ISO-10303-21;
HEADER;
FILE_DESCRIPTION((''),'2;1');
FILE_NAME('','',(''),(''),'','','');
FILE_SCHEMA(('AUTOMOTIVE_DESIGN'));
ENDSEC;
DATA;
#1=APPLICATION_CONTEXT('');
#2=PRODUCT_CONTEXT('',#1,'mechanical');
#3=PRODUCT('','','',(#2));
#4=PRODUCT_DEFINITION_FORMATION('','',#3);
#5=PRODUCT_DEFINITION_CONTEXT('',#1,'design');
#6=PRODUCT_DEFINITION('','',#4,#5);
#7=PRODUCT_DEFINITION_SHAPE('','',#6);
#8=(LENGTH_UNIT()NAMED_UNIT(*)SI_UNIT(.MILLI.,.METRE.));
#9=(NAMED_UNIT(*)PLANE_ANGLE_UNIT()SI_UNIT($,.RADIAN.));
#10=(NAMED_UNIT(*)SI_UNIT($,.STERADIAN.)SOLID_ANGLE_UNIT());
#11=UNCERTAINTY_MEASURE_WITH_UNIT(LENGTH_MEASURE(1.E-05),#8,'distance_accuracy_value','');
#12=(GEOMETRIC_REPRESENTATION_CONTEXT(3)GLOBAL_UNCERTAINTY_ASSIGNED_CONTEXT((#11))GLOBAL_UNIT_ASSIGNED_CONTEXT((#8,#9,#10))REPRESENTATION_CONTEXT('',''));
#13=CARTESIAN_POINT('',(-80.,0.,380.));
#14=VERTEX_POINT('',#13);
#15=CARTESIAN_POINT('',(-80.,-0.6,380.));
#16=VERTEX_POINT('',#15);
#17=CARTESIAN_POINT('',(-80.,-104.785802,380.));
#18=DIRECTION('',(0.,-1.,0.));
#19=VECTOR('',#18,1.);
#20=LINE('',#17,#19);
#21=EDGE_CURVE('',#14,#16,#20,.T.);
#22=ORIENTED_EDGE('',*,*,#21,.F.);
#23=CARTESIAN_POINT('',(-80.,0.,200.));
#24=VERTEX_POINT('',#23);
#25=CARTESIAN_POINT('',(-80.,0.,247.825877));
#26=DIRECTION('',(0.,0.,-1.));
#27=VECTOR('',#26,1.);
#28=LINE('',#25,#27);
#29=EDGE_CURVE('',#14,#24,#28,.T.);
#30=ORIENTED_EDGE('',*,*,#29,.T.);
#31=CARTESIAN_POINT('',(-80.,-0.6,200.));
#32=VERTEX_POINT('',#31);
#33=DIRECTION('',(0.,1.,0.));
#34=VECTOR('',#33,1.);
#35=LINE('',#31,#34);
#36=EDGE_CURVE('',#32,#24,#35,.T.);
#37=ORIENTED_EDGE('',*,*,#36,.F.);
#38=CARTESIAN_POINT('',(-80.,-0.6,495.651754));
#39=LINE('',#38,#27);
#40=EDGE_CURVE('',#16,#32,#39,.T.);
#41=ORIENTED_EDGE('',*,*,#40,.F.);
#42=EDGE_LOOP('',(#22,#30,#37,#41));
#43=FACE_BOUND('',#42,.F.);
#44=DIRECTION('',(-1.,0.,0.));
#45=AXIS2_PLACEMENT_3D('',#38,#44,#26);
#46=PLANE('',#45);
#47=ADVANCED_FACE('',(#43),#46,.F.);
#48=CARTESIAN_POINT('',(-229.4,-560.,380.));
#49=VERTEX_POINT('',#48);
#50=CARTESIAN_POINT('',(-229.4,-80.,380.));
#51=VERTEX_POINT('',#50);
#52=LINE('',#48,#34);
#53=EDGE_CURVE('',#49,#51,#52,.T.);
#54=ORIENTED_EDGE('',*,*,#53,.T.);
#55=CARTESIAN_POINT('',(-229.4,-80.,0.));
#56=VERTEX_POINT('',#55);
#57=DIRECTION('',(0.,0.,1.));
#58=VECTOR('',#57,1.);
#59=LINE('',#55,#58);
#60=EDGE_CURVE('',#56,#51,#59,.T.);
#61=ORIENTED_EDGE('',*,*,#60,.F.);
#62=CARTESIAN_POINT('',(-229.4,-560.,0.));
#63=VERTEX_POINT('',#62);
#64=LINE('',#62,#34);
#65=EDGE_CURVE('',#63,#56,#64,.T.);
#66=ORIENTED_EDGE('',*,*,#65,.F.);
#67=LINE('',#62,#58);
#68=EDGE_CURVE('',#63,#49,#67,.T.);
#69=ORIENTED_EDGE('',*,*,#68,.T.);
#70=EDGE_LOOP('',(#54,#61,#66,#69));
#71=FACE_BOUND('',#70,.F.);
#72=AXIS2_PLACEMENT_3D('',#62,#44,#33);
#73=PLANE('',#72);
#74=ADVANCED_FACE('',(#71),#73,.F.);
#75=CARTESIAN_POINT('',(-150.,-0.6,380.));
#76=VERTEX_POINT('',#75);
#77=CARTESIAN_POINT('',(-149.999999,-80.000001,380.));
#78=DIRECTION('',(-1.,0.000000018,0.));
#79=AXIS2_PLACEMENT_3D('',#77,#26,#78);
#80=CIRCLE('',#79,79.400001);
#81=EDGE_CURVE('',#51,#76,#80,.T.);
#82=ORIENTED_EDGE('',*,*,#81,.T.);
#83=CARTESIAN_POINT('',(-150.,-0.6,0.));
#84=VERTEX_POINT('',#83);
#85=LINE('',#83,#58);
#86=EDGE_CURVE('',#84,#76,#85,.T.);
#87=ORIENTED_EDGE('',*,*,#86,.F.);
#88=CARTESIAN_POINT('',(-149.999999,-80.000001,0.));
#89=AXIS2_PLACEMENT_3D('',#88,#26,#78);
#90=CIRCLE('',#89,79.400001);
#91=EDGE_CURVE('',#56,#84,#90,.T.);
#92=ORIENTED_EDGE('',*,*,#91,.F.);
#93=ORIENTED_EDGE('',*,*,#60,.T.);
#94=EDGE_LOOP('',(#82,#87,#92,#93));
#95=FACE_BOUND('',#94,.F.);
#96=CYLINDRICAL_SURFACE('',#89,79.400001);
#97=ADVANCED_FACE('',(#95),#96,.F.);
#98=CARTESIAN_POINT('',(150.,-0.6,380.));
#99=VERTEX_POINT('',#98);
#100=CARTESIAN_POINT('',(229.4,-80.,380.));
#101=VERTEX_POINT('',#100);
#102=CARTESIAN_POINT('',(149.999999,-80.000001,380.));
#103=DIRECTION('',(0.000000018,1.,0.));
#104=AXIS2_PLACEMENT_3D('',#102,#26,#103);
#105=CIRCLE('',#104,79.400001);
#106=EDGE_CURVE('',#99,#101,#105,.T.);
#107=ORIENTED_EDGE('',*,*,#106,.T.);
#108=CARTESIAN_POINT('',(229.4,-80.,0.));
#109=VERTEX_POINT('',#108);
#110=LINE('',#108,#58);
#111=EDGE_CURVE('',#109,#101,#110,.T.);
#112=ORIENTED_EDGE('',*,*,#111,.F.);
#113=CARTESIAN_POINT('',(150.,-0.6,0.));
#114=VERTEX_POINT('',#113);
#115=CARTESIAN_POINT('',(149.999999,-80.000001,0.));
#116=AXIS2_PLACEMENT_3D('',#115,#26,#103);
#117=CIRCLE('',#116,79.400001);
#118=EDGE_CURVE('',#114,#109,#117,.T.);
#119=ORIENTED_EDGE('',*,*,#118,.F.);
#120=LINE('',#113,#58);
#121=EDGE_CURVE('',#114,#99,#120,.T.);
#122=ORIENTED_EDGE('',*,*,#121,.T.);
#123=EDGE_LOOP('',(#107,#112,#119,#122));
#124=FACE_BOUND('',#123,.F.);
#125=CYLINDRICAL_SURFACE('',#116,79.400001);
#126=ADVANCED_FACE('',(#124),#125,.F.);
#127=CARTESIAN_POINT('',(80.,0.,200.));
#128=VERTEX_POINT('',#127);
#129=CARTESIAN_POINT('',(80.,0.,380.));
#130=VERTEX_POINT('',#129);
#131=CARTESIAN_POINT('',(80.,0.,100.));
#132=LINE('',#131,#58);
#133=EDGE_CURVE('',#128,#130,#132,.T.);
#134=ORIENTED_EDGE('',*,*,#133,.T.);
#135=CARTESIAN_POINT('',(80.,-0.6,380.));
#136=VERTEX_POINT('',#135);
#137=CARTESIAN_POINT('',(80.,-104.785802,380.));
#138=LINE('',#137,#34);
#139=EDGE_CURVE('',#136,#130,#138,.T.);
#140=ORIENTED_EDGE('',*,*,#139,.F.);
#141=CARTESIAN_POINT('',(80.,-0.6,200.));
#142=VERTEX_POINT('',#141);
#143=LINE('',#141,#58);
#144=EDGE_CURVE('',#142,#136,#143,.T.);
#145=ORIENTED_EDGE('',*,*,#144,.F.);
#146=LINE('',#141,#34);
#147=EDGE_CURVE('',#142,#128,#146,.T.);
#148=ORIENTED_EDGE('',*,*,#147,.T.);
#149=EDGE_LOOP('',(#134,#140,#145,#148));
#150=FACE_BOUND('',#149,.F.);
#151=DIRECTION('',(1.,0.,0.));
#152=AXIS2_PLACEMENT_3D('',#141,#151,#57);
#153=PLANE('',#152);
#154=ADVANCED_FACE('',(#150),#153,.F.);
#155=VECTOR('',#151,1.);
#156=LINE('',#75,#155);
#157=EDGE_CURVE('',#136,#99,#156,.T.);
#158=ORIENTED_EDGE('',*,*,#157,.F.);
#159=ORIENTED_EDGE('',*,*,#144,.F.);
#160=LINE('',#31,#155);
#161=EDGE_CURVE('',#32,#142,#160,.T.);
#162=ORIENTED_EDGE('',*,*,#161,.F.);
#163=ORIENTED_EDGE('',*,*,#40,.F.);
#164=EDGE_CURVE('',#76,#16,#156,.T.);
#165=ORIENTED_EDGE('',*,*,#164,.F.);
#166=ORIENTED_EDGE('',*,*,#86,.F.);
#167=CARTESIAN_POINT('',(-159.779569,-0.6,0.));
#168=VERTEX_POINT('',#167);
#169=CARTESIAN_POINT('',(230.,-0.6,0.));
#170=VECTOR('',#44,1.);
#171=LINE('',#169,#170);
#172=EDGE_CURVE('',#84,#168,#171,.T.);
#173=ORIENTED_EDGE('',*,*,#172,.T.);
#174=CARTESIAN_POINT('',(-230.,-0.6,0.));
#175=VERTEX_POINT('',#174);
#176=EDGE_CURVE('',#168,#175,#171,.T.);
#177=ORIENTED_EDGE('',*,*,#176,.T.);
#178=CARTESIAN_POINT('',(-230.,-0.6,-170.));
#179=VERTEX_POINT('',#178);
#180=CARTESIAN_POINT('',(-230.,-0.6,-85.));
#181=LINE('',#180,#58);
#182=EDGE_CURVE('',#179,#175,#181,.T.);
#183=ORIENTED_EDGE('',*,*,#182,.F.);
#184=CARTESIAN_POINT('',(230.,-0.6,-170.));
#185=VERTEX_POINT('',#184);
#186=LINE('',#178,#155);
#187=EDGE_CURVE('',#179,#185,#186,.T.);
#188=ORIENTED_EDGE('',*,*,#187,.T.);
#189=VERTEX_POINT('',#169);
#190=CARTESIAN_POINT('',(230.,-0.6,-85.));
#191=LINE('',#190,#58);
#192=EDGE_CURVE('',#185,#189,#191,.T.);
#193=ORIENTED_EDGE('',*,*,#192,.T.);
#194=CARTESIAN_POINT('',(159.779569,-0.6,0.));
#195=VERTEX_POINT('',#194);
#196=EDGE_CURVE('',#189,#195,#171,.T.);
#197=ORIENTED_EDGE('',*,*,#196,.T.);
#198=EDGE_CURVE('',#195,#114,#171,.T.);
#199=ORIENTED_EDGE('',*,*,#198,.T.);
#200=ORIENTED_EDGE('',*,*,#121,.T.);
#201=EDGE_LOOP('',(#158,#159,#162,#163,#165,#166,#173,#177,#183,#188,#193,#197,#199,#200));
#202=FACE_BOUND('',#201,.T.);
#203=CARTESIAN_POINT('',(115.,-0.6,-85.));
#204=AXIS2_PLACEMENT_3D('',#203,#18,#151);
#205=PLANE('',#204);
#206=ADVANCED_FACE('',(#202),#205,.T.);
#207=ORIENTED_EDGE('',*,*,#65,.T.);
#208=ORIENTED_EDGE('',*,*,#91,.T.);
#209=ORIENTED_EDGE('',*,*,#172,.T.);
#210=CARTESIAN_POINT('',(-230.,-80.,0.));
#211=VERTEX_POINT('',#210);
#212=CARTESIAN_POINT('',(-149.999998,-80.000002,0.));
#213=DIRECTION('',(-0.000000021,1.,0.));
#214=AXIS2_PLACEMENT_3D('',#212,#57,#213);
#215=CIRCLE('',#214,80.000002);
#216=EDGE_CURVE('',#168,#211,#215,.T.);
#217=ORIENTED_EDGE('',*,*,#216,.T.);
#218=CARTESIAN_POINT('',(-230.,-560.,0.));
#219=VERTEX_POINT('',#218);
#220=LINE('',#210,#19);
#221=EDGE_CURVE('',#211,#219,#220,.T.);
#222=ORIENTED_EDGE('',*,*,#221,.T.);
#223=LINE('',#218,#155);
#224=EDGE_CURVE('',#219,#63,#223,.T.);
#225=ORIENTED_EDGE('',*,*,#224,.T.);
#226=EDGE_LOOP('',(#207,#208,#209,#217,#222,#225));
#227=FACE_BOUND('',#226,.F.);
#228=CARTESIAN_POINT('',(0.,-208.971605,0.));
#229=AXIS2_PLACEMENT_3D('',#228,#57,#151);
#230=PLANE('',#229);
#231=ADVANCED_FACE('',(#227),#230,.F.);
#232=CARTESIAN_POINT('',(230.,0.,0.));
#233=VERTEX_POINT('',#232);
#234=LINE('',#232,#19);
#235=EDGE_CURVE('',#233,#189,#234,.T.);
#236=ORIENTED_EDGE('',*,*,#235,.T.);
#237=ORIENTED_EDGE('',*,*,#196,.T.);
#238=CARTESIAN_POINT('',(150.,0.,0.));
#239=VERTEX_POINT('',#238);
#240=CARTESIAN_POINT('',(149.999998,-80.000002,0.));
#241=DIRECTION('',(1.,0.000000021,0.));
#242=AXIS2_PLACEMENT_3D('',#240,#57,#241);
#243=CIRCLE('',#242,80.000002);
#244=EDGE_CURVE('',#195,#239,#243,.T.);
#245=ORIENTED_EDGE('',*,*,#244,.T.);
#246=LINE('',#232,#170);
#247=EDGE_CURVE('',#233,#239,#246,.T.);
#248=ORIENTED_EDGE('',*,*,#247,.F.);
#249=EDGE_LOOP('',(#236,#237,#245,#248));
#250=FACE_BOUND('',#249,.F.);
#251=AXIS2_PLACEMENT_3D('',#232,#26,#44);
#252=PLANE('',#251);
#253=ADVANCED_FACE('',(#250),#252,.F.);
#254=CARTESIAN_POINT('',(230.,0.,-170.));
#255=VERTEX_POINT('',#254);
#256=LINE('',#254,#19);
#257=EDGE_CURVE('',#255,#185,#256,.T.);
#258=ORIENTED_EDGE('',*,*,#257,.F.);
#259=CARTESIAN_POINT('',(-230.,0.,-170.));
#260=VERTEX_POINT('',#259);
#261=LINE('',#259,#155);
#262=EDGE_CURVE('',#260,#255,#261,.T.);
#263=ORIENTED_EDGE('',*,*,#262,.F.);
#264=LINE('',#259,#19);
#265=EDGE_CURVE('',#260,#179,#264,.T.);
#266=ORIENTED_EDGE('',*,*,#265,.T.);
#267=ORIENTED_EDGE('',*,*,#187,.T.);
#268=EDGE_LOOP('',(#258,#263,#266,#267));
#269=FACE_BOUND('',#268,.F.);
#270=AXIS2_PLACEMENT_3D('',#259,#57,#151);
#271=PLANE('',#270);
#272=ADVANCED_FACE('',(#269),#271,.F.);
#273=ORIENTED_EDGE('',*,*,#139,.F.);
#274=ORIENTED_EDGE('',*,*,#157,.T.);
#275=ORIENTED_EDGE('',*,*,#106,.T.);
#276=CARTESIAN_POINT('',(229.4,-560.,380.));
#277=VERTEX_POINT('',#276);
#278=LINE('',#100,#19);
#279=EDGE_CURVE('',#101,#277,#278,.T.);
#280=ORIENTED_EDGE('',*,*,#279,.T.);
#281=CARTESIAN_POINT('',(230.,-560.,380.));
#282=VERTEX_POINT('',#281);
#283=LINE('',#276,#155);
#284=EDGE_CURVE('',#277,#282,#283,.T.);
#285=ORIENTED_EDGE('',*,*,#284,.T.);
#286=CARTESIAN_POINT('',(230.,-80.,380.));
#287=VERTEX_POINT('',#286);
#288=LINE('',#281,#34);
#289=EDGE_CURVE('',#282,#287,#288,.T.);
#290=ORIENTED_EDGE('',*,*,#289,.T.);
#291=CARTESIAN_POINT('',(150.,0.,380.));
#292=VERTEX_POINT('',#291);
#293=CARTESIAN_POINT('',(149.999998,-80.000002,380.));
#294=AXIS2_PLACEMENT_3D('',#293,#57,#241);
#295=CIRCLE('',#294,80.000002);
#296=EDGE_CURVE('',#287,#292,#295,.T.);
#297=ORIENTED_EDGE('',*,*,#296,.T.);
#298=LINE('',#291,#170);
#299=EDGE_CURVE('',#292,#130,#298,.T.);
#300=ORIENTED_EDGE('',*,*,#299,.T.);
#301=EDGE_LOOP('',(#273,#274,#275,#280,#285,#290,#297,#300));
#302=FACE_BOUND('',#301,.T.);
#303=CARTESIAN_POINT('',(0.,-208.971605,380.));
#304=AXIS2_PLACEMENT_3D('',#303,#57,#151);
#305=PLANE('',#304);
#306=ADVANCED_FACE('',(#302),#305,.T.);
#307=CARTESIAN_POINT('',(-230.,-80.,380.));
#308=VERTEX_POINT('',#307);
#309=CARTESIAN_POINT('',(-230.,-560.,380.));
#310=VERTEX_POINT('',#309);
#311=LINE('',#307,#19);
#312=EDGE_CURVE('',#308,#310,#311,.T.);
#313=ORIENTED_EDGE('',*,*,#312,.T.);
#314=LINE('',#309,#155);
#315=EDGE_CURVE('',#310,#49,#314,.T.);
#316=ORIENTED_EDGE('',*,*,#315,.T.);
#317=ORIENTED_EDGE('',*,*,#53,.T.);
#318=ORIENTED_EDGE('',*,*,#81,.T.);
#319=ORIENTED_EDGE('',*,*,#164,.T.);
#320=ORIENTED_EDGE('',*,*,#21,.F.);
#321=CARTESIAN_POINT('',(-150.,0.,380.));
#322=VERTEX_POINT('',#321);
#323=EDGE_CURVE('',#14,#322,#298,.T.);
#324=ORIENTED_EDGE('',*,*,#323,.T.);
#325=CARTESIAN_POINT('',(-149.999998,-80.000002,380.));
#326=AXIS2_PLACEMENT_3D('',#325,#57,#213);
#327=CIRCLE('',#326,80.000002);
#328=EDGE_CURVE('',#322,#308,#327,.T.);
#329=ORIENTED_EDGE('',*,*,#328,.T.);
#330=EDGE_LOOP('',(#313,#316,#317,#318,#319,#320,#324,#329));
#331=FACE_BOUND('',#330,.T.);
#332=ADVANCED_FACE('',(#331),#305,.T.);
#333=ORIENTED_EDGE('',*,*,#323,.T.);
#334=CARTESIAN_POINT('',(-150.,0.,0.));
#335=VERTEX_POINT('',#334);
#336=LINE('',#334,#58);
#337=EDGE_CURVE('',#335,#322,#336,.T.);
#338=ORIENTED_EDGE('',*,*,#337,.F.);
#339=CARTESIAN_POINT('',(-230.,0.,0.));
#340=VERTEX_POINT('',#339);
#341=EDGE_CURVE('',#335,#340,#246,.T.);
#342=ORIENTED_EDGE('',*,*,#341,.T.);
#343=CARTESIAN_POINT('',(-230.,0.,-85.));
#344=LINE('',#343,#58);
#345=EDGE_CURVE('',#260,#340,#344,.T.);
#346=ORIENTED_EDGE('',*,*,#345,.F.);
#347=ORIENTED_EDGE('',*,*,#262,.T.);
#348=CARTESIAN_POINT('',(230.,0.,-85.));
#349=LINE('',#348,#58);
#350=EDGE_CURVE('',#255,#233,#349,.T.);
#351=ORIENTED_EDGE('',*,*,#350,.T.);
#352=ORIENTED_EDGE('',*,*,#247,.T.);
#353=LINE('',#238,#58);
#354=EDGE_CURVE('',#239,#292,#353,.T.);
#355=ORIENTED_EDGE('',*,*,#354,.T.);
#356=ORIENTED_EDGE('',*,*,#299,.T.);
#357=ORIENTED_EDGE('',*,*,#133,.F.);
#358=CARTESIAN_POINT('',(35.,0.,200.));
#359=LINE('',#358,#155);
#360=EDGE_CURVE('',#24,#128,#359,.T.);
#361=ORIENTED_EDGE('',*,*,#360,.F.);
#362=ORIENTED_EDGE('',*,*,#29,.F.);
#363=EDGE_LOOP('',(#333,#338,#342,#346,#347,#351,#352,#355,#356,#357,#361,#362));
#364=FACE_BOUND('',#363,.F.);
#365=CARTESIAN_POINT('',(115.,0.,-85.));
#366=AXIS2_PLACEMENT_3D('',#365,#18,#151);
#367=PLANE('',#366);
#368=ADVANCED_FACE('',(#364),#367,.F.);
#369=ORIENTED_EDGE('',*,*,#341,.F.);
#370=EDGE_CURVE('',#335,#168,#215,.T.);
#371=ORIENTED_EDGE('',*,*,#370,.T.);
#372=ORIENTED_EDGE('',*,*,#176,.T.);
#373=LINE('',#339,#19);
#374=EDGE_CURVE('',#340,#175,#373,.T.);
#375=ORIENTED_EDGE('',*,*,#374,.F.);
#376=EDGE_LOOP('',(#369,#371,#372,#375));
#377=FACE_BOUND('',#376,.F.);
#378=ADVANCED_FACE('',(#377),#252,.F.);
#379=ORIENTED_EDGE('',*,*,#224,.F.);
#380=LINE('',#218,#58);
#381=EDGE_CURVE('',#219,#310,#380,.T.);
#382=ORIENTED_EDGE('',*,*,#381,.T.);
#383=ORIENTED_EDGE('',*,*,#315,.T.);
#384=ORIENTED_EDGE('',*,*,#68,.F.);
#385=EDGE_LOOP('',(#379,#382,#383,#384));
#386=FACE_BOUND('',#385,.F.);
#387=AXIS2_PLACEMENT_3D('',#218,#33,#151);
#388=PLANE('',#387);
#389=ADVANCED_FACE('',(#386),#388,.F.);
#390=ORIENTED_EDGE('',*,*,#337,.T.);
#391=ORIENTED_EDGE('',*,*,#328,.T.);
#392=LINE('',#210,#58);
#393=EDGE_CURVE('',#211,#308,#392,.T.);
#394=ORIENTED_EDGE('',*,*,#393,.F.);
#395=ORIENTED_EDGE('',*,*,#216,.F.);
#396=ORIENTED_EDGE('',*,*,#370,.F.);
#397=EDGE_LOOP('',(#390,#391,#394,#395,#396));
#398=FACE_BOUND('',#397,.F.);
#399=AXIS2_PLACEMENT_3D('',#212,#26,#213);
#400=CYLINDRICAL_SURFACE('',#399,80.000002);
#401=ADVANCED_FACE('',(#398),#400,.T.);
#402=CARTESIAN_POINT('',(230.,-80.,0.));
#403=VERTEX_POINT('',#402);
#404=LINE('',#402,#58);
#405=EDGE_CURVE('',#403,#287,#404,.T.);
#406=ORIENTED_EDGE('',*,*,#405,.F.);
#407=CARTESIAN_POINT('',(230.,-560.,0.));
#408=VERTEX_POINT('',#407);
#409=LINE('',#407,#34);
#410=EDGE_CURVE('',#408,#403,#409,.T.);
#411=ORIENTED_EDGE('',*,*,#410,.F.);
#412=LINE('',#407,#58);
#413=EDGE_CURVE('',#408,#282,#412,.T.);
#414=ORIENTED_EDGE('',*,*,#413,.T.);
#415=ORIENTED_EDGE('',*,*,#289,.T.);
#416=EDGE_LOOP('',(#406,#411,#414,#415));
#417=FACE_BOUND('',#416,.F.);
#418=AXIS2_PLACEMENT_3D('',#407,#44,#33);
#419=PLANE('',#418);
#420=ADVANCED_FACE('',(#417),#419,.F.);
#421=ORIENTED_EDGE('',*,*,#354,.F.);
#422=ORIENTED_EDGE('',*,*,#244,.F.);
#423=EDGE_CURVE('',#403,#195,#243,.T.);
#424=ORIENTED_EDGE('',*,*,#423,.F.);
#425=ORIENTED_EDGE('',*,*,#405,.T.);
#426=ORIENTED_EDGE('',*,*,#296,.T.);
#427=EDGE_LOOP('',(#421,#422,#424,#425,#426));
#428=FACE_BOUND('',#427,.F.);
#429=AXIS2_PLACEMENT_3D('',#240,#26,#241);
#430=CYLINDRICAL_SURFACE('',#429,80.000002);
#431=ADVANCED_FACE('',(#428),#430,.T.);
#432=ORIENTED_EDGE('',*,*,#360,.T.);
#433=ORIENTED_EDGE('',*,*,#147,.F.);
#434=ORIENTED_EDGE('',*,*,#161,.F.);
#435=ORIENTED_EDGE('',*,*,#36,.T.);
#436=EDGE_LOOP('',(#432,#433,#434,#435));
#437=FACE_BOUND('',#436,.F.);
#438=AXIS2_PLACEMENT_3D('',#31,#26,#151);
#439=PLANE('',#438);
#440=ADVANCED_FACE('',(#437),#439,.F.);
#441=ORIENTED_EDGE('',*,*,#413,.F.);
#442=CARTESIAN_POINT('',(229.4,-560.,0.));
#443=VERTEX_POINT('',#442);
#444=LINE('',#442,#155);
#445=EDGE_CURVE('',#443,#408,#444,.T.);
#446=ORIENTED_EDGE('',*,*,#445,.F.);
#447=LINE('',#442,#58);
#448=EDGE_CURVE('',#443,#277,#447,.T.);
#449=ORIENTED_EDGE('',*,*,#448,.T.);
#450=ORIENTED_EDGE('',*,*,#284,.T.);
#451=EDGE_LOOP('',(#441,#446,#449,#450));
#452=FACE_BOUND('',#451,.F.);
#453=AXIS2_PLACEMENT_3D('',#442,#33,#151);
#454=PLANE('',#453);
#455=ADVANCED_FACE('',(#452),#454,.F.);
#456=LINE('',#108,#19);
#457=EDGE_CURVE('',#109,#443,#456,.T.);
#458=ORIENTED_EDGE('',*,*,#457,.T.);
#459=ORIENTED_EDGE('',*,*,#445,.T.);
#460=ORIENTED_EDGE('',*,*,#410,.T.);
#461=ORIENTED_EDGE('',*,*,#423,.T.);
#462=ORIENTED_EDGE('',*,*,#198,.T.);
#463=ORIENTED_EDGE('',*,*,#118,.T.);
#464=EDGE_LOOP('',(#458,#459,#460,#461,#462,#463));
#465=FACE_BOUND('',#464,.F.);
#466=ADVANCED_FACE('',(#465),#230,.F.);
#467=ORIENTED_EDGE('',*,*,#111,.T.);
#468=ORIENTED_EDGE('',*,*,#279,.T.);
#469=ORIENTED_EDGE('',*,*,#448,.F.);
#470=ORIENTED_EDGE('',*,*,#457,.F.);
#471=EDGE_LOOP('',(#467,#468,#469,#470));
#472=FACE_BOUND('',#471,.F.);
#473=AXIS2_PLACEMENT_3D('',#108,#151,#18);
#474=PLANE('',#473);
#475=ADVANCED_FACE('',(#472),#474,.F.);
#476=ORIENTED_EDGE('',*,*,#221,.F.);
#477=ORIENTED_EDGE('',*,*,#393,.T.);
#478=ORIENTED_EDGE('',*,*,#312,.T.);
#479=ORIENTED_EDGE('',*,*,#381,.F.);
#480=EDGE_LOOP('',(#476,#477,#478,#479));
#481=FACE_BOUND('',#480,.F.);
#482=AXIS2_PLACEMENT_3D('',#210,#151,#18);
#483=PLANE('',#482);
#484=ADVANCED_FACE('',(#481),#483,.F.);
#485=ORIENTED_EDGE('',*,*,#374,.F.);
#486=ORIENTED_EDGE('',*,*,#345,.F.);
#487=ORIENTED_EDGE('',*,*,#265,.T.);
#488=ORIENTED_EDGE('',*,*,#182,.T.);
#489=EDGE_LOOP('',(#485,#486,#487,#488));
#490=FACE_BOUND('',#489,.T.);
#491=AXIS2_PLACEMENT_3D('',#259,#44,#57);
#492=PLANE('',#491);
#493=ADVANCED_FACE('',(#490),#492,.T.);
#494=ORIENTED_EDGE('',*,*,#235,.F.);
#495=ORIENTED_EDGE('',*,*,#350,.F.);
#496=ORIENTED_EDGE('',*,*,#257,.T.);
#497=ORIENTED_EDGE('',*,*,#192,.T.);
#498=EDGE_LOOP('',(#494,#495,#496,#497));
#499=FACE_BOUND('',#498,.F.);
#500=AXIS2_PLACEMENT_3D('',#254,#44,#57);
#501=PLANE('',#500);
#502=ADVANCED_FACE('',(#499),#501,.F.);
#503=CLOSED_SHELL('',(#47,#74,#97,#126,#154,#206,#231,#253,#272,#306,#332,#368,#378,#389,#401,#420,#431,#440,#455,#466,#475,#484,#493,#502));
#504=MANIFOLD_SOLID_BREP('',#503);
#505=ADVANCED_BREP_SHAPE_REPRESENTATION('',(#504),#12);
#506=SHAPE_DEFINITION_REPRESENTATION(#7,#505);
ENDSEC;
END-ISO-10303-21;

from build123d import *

# Parameters (mm, degrees)
F1_DEPTH = 380
F2_W     = 80
F2_H     = 180
F2_H_2   = 115.651754
F3_DEPTH = 25.4
F4_W     = 230
F4_H     = 170
F5_DEPTH = 0.6


with BuildPart() as f1:
    # F0 (on Top) → F1 (new body)
    with BuildSketch(Plane.XY):
        with BuildLine():
            Line((150, 0), (0, 0))
            Line((0, 0), (-150, 0))
            ThreePointArc((-150, 0), (-206.568542, -23.431458), (-230, -80))
            Line((-230, -80), (-230, -560))
            Line((-230, -560), (-229.4, -560))
            Line((-229.4, -560), (-229.4, -80))
            ThreePointArc((-229.4, -80), (-206.144278, -23.855722), (-150, -0.6))
            Line((-150, -0.6), (0, -0.6))
            Line((0, -0.6), (150, -0.6))
            ThreePointArc((150, -0.6), (206.144278, -23.855722), (229.4, -80))
            Line((229.4, -80), (229.4, -560))
            Line((229.4, -560), (230, -560))
            Line((230, -560), (230, -80))
            ThreePointArc((230, -80), (206.568542, -23.431458), (150, 0))
        make_face()
    extrude(amount=F1_DEPTH)

    # F2 (on face) → F3 (cut)
    with BuildSketch(Plane.XZ.offset(0.6)):
        with Locations((-40, 290)):
            Rectangle(F2_W, F2_H)
        with Locations((40, 290)):
            Rectangle(F2_W, F2_H)
        with Locations((40, 437.825877)):
            Rectangle(F2_W, F2_H_2)
        with Locations((-40, 437.825877)):
            Rectangle(F2_W, F2_H_2)
    extrude(amount=-F3_DEPTH, mode=Mode.SUBTRACT)

    # F4 (on Front) → F5 (join)
    with BuildSketch(Plane.XZ):
        with Locations((115, -85)):
            Rectangle(F4_W, F4_H)
        with Locations((-115, -85)):
            Rectangle(F4_W, F4_H)
    extrude(amount=F5_DEPTH)


solid = f1.part
